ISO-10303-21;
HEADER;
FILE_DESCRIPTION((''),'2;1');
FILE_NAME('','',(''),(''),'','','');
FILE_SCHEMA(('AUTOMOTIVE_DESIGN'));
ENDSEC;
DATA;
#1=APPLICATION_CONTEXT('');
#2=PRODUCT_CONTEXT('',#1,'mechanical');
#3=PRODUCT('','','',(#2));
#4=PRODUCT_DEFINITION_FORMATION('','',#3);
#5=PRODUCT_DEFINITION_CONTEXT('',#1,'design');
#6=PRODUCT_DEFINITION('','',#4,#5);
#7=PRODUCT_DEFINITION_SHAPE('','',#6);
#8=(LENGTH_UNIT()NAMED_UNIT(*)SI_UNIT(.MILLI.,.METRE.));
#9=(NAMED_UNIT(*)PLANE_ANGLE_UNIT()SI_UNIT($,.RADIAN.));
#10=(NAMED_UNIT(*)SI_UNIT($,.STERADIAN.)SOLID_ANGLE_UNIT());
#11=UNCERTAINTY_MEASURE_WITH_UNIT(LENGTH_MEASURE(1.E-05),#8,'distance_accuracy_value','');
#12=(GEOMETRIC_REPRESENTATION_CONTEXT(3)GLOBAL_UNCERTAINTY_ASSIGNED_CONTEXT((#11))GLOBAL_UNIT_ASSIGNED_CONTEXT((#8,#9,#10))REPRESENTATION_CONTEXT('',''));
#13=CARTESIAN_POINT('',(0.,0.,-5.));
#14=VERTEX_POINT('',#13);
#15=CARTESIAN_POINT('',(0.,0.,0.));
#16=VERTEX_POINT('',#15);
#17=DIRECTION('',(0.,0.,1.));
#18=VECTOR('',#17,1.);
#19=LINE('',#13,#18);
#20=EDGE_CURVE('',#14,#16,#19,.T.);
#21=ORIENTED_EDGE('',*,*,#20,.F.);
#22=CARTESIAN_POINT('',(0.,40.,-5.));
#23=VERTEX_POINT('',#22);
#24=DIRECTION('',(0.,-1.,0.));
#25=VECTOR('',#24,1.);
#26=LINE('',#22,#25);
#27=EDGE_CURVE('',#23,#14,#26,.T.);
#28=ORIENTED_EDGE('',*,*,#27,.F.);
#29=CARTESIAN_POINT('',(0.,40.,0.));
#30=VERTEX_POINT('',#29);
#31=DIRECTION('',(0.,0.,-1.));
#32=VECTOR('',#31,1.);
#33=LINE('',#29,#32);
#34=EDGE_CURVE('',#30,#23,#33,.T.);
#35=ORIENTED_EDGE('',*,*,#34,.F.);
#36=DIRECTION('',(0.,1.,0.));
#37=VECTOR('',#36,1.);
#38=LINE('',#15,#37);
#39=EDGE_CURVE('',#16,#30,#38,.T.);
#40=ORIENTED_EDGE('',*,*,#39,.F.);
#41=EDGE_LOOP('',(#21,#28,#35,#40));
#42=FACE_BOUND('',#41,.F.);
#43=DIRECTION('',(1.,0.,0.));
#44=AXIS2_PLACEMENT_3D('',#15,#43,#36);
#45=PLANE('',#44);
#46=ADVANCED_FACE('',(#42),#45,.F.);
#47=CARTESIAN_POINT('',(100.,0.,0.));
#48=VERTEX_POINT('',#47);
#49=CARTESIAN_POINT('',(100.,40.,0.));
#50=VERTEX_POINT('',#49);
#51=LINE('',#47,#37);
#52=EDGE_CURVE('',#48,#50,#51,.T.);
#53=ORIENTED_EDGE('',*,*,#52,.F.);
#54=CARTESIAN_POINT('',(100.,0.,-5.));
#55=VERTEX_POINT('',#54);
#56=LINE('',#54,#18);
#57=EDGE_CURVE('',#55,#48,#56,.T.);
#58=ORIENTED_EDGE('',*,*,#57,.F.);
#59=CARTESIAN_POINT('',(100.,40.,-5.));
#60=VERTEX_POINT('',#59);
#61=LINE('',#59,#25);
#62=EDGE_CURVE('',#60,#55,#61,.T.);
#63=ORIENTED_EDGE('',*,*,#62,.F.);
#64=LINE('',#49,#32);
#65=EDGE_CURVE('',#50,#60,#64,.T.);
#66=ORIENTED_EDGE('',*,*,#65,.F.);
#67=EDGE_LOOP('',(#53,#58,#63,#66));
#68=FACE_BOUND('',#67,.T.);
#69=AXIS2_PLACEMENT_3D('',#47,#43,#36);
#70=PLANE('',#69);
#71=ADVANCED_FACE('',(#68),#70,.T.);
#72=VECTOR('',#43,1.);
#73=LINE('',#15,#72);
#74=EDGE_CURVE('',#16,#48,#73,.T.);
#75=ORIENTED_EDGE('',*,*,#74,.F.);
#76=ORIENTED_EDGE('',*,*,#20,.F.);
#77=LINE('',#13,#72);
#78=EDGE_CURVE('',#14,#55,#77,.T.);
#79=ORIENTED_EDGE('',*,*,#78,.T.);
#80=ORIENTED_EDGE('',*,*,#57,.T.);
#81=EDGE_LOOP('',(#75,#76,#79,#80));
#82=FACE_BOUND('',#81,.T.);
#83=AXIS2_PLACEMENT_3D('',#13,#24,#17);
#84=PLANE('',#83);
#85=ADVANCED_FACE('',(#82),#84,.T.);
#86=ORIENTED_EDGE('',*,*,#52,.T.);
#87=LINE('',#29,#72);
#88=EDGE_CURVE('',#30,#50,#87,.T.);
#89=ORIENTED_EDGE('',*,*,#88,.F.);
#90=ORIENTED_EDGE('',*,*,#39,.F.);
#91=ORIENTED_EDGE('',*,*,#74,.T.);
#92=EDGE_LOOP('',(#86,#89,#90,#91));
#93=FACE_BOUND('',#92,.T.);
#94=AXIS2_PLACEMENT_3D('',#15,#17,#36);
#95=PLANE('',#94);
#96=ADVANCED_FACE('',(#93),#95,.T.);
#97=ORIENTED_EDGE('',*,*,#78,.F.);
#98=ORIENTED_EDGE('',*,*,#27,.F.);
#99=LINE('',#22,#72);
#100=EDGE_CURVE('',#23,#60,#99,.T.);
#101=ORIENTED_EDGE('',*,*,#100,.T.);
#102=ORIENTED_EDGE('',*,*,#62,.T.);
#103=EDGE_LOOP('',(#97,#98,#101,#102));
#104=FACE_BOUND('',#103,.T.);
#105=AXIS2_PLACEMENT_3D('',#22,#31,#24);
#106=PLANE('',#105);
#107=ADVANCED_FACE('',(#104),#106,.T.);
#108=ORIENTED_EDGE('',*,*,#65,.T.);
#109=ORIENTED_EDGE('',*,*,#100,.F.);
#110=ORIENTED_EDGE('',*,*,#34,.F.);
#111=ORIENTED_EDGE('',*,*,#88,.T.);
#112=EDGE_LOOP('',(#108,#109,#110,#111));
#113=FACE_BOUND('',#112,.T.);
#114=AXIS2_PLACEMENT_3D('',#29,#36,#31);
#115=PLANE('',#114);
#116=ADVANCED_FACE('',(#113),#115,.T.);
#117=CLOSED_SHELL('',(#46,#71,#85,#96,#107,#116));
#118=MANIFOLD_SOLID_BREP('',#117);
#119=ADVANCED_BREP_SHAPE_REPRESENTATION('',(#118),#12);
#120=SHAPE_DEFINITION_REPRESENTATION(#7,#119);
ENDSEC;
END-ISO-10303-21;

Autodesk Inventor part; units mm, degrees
ref_plane "YZ Plane" through (0, 0, 0) normal (1, 0, 0) x (0, 1, 0)
ref_plane "XZ Plane" through (0, 0, 0) normal (0, 1, 0) x (-1, 0, 0)
ref_plane "XY Plane" through (0, 0, 0) normal (0, 0, 1) x (1, 0, 0)
sketch "Sketch1" plane through (0, 0, 0) normal (1, 0, 0) x (0, 1, 0)
  line L0 (0, 0) -> (40, 0)
  line L1 (40, 0) -> (40, -5)
  line L2 (40, -5) -> (0, -5)
  line L3 (0, -5) -> (0, 0)
  dimension "d0" = 40
  dimension "d1" = 5
extrude "Extrusion1" add sketch "Sketch1" along normal blind 100
properties part number "LEG_ATTACHMENT" material "Steel, Mild"
